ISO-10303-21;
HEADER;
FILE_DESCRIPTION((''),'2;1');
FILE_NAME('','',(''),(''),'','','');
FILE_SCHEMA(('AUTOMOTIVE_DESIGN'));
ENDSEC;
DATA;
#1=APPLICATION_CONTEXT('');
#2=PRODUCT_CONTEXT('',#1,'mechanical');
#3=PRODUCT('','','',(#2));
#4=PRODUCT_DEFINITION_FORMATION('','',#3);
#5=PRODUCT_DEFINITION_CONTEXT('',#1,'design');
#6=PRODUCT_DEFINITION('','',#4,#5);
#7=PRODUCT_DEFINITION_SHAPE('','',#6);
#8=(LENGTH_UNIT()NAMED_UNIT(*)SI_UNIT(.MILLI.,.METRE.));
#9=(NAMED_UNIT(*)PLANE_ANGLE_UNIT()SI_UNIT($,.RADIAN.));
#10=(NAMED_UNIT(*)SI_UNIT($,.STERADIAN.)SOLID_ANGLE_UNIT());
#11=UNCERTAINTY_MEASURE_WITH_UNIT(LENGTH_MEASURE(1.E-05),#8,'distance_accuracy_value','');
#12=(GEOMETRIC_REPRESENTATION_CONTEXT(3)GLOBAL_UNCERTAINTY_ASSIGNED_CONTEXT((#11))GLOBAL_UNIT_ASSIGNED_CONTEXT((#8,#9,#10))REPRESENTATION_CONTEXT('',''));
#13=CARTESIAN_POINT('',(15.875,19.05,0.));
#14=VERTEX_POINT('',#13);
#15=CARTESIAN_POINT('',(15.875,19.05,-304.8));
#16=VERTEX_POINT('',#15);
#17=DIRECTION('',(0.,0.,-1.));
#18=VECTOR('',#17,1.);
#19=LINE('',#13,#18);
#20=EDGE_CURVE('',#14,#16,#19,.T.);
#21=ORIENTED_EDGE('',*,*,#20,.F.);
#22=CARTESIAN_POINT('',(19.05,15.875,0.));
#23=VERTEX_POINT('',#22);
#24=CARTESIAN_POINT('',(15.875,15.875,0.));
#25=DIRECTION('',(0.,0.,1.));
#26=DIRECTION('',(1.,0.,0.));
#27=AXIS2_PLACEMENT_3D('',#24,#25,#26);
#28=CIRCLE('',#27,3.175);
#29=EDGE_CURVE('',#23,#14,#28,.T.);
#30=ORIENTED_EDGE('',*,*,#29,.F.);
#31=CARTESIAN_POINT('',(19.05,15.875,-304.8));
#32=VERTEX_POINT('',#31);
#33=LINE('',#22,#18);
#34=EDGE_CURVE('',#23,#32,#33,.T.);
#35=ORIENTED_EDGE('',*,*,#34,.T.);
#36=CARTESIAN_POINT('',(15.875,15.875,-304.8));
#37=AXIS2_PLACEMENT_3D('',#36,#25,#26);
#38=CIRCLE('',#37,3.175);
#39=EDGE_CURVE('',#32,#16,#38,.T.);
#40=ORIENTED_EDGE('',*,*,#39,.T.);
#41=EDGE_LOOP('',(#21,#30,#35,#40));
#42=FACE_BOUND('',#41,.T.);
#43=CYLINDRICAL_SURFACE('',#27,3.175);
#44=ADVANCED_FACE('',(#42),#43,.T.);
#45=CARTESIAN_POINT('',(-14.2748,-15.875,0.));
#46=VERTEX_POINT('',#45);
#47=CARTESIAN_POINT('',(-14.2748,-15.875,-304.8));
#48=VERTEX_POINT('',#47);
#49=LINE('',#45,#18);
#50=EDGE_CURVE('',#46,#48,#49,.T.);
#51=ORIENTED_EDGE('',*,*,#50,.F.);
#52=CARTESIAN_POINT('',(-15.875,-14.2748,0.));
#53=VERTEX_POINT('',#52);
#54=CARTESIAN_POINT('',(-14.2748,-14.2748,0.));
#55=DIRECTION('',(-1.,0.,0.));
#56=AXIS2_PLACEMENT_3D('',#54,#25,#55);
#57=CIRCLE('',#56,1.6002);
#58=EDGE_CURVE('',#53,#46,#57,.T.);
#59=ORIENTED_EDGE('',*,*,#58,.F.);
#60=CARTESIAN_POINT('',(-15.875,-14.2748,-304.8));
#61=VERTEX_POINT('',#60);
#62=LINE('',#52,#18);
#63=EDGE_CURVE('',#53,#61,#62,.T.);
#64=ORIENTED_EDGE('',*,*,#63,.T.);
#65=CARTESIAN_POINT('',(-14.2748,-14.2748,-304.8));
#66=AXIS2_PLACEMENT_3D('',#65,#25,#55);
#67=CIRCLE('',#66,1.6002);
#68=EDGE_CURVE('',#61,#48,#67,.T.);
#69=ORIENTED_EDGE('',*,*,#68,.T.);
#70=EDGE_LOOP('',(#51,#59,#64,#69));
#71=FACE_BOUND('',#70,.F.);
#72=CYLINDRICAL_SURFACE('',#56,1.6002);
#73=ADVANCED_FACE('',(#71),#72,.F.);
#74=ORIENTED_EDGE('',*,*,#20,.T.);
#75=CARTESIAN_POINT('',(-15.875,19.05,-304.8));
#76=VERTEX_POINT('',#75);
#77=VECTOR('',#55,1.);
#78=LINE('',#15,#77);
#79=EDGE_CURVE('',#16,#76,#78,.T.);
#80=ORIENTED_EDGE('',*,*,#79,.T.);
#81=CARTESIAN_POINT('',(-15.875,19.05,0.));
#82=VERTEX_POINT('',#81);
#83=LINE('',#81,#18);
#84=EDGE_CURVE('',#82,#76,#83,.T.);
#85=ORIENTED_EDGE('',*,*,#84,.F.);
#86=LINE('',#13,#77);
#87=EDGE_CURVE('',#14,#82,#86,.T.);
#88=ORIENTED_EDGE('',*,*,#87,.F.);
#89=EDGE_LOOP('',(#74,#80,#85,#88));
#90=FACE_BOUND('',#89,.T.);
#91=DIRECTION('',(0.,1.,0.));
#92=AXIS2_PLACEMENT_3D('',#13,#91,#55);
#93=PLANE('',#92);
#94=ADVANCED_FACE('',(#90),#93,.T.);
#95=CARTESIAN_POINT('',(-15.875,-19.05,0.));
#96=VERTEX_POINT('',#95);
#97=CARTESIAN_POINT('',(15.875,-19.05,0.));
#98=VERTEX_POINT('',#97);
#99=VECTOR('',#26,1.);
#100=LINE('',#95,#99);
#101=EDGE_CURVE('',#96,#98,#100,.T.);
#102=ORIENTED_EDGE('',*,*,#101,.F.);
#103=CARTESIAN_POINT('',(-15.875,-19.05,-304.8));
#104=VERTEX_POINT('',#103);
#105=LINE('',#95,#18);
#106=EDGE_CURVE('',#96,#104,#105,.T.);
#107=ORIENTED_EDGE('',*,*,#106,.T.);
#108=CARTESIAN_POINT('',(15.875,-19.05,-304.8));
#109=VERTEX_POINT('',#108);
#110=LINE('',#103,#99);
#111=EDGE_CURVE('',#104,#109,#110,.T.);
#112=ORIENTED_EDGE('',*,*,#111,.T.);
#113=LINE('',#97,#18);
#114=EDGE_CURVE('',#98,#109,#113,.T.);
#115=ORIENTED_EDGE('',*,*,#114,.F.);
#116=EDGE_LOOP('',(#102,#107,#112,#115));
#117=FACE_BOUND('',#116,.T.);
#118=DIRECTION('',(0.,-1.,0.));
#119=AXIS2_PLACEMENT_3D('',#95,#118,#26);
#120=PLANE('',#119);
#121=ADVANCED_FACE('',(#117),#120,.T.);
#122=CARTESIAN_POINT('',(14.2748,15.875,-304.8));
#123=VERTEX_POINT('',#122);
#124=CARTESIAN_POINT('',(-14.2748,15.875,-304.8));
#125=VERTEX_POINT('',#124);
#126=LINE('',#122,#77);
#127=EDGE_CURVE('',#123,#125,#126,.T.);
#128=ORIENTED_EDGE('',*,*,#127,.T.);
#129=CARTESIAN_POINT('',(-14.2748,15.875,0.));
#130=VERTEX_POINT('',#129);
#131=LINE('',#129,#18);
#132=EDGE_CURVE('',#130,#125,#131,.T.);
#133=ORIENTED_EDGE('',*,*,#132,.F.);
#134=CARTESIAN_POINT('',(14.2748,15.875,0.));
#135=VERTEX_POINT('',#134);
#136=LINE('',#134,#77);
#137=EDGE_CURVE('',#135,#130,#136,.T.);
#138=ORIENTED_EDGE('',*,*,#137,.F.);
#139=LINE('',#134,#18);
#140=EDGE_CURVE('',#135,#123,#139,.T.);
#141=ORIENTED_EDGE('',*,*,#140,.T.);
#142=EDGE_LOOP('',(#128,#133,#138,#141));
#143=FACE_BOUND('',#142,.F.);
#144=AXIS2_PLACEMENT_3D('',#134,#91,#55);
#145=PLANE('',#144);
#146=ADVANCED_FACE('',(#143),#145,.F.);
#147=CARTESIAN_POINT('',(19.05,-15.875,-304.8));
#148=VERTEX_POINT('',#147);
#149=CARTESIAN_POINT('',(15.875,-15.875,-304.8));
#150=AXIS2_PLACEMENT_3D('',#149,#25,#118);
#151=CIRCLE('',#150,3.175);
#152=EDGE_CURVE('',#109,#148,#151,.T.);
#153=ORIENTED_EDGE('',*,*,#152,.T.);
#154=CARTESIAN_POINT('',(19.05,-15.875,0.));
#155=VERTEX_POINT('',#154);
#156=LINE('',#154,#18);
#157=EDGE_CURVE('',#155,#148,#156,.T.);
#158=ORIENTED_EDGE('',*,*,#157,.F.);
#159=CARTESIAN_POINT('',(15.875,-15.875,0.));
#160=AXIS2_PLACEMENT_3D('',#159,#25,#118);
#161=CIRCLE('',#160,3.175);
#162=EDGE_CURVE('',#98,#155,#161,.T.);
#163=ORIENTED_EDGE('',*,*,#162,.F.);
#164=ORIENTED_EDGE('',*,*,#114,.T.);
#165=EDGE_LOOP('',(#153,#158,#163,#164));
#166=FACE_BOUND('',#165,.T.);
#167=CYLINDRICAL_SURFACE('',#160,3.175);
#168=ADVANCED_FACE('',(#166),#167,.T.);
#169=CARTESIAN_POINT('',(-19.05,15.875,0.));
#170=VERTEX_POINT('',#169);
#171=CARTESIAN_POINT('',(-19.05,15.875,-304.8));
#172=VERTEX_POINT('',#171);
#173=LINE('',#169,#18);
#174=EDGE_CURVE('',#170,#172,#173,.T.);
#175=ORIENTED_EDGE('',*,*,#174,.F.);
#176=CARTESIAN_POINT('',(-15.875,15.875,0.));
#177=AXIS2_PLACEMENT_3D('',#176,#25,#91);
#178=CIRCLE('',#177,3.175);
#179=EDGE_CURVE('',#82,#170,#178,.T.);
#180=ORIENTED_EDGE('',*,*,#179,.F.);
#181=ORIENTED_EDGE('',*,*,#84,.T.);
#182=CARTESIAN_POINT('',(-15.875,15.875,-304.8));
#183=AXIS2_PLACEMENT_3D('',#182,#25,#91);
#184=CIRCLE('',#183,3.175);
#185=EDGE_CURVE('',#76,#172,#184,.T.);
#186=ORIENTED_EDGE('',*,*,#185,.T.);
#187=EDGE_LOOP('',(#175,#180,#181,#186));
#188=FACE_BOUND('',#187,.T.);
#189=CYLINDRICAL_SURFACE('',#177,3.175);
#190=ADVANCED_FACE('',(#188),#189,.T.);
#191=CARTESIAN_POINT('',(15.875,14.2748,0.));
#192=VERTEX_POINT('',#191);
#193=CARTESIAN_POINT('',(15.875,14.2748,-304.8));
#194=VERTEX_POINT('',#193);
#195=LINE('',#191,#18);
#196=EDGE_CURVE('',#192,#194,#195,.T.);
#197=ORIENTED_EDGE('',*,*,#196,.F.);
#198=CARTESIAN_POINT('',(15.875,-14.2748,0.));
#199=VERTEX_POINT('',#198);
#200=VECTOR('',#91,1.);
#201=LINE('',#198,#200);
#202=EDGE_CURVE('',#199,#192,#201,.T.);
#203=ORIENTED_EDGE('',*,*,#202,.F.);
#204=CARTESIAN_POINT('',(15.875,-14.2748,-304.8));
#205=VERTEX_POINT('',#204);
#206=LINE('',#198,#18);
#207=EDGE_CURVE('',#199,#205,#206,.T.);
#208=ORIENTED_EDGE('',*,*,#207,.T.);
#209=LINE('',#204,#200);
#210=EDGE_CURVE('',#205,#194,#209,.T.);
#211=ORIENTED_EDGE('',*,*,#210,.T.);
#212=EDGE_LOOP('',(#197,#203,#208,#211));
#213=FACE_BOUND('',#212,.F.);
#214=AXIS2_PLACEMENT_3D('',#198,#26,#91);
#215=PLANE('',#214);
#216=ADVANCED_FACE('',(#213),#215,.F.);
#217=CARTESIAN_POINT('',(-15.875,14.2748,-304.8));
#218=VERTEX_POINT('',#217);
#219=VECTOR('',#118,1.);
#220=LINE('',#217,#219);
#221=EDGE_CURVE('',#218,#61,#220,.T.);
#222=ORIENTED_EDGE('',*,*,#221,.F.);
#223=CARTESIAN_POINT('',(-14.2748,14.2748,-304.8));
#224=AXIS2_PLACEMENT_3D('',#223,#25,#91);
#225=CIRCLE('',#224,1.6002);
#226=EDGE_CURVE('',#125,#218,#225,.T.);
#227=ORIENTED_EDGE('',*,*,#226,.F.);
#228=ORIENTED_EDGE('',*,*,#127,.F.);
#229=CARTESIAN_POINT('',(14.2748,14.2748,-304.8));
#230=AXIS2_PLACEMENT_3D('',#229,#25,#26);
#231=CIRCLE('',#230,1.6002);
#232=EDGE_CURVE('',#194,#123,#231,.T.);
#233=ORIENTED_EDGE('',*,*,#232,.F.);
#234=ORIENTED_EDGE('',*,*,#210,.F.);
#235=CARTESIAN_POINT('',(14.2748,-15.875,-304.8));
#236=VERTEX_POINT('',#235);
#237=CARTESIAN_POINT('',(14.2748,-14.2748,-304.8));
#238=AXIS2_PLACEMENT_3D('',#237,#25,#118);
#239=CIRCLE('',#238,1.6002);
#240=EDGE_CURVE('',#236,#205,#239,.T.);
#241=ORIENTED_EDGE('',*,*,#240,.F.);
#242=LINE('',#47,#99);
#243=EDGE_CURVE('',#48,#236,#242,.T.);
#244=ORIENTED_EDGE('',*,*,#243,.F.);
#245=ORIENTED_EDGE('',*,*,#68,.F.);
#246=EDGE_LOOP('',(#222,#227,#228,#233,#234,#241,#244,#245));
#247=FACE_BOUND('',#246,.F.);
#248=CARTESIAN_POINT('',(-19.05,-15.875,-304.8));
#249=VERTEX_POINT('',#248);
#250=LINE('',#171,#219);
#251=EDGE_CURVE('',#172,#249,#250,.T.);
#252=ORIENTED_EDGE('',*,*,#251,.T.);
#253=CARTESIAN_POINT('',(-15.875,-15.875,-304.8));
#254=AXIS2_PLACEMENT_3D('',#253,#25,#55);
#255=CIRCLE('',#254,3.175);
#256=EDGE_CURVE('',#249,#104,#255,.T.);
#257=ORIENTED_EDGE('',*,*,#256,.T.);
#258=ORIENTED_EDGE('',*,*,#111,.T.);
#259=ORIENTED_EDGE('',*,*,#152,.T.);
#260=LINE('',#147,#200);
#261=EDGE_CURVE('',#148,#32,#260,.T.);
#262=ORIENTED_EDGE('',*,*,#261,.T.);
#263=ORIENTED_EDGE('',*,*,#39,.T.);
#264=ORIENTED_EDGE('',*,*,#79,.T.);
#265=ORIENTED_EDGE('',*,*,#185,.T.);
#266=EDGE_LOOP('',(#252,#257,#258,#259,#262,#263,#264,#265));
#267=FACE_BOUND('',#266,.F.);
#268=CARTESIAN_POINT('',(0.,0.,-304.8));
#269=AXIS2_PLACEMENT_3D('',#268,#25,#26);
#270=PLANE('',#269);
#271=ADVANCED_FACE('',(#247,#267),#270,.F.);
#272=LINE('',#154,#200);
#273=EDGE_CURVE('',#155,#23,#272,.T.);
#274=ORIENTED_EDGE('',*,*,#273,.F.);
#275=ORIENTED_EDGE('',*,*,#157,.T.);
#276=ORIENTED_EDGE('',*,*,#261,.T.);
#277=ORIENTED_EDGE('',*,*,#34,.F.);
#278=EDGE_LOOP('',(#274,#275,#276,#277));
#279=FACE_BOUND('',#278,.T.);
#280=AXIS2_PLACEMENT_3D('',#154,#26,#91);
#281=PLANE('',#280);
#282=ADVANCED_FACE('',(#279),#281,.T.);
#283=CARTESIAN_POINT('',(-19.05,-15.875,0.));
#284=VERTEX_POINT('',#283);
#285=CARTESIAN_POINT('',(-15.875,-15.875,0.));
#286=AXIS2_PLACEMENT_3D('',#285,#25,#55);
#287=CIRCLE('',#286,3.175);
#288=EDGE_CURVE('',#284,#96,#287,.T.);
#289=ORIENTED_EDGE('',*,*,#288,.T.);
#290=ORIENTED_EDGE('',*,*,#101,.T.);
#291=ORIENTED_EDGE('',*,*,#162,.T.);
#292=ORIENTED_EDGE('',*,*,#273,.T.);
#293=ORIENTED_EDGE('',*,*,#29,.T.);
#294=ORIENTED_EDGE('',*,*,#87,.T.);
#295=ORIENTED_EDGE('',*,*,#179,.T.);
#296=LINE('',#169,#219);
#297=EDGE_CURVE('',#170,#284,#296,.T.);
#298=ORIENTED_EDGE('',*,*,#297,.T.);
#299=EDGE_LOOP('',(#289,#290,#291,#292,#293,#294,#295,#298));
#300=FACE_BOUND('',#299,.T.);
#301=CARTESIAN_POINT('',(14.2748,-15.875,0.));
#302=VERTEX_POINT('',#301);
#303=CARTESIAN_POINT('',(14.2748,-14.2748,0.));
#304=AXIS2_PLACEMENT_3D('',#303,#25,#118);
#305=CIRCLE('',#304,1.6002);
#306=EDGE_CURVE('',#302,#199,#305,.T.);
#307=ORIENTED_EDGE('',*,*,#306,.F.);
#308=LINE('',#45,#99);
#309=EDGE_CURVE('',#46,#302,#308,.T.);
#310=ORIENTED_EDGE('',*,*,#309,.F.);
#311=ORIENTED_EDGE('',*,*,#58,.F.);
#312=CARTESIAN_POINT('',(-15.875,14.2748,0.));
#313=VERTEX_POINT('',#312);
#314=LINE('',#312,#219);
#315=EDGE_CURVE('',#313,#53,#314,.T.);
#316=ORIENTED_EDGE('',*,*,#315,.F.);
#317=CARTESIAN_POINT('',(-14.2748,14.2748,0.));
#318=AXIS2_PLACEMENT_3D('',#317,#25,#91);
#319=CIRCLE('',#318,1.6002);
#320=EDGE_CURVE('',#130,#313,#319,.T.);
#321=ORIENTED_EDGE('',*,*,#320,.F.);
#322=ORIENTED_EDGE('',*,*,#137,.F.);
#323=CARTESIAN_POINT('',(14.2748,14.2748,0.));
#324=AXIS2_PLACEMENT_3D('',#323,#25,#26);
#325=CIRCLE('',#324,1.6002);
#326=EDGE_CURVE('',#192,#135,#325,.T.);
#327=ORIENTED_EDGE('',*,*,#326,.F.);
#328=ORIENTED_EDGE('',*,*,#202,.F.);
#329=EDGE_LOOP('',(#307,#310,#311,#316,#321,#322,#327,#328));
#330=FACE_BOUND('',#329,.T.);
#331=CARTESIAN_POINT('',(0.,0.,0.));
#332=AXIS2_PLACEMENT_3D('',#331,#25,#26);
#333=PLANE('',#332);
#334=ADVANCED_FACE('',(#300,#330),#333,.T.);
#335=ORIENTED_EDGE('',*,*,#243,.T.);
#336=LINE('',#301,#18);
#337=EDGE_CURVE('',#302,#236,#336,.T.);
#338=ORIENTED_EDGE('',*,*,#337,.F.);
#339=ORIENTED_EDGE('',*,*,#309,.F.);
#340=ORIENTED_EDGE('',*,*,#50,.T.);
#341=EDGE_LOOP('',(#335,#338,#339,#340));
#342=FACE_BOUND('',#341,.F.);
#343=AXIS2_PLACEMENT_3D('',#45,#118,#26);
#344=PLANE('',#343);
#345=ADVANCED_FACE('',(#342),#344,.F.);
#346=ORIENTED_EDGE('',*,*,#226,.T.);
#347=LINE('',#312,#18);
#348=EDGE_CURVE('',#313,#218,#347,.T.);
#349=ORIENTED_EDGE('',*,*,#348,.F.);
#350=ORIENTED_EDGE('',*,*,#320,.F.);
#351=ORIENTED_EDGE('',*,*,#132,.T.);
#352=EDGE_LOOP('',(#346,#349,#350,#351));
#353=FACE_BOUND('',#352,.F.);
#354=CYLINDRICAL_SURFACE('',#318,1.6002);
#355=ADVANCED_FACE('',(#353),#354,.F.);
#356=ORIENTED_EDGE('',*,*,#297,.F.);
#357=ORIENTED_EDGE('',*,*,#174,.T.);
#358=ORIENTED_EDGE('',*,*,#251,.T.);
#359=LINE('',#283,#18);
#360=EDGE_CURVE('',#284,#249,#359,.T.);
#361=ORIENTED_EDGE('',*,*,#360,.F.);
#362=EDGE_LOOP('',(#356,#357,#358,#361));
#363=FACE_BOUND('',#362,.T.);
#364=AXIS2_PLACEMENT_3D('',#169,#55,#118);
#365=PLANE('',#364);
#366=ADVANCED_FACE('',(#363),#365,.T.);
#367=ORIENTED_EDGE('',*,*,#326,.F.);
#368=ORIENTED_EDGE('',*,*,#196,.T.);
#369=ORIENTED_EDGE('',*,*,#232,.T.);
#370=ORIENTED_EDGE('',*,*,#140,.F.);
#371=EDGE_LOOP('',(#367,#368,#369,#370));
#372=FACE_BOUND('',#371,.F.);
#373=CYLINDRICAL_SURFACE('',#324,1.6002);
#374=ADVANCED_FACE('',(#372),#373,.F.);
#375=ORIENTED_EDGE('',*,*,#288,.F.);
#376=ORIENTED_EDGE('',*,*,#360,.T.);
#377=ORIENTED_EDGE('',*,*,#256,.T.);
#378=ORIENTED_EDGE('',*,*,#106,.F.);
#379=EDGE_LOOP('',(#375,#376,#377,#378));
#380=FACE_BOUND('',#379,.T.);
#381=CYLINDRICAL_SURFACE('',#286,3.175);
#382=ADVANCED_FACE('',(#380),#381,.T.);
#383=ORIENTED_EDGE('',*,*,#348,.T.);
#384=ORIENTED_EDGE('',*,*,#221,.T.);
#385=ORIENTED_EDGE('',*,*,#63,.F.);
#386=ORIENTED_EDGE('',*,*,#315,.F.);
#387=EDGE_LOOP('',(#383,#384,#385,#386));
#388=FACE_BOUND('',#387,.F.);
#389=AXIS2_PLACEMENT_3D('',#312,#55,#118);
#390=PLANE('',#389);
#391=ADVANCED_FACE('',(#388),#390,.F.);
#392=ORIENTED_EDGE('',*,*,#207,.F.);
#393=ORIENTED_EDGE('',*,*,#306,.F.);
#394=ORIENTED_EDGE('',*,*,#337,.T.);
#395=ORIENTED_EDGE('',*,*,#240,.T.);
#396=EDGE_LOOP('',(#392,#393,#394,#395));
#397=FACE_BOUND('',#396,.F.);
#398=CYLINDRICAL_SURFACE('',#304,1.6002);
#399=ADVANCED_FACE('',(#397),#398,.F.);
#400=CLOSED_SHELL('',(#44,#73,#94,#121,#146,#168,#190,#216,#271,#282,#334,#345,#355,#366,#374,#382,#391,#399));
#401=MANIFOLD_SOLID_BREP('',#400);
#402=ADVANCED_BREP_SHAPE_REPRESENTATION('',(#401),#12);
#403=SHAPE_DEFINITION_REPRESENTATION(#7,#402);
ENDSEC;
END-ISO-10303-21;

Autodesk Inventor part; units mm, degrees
ref_plane "YZ Plane" through (0, 0, 0) normal (1, 0, 0) x (0, 1, 0)
ref_plane "XZ Plane" through (0, 0, 0) normal (0, 1, 0) x (-1, 0, 0)
ref_plane "XY Plane" through (0, 0, 0) normal (0, 0, 1) x (1, 0, 0)
sketch "Sketch1" plane through (0, 0, 0) normal (0, 0, 1) x (1, 0, 0)
  line L0 (-15.875, 14.2748) -> (-15.875, -14.2748)
  arc A0 (-14.2748, 15.875) -> (-15.875, 14.2748) centre (-14.2748, 14.2748) ccw
  line L1 (14.2748, 15.875) -> (-14.2748, 15.875)
  arc A1 (15.875, 14.2748) -> (14.2748, 15.875) centre (14.2748, 14.2748) ccw
  line L2 (15.875, -14.2748) -> (15.875, 14.2748)
  arc A2 (14.2748, -15.875) -> (15.875, -14.2748) centre (14.2748, -14.2748) ccw
  line L3 (-14.2748, -15.875) -> (14.2748, -15.875)
  arc A3 (-15.875, -14.2748) -> (-14.2748, -15.875) centre (-14.2748, -14.2748) ccw
  arc A4 (19.05, 15.875) -> (15.875, 19.05) centre (15.875, 15.875) ccw
  line L4 (15.875, 19.05) -> (-15.875, 19.05)
  arc A5 (-15.875, 19.05) -> (-19.05, 15.875) centre (-15.875, 15.875) ccw
  line L5 (-19.05, 15.875) -> (-19.05, -15.875)
  arc A6 (-19.05, -15.875) -> (-15.875, -19.05) centre (-15.875, -15.875) ccw
  line L6 (-15.875, -19.05) -> (15.875, -19.05)
  arc A7 (15.875, -19.05) -> (19.05, -15.875) centre (15.875, -15.875) ccw
  line L7 (19.05, -15.875) -> (19.05, 15.875)
  point P0 (0, 0)
extrude "Extrusion1" add sketch "Sketch1" against normal blind 304.8
properties part number "9700"
